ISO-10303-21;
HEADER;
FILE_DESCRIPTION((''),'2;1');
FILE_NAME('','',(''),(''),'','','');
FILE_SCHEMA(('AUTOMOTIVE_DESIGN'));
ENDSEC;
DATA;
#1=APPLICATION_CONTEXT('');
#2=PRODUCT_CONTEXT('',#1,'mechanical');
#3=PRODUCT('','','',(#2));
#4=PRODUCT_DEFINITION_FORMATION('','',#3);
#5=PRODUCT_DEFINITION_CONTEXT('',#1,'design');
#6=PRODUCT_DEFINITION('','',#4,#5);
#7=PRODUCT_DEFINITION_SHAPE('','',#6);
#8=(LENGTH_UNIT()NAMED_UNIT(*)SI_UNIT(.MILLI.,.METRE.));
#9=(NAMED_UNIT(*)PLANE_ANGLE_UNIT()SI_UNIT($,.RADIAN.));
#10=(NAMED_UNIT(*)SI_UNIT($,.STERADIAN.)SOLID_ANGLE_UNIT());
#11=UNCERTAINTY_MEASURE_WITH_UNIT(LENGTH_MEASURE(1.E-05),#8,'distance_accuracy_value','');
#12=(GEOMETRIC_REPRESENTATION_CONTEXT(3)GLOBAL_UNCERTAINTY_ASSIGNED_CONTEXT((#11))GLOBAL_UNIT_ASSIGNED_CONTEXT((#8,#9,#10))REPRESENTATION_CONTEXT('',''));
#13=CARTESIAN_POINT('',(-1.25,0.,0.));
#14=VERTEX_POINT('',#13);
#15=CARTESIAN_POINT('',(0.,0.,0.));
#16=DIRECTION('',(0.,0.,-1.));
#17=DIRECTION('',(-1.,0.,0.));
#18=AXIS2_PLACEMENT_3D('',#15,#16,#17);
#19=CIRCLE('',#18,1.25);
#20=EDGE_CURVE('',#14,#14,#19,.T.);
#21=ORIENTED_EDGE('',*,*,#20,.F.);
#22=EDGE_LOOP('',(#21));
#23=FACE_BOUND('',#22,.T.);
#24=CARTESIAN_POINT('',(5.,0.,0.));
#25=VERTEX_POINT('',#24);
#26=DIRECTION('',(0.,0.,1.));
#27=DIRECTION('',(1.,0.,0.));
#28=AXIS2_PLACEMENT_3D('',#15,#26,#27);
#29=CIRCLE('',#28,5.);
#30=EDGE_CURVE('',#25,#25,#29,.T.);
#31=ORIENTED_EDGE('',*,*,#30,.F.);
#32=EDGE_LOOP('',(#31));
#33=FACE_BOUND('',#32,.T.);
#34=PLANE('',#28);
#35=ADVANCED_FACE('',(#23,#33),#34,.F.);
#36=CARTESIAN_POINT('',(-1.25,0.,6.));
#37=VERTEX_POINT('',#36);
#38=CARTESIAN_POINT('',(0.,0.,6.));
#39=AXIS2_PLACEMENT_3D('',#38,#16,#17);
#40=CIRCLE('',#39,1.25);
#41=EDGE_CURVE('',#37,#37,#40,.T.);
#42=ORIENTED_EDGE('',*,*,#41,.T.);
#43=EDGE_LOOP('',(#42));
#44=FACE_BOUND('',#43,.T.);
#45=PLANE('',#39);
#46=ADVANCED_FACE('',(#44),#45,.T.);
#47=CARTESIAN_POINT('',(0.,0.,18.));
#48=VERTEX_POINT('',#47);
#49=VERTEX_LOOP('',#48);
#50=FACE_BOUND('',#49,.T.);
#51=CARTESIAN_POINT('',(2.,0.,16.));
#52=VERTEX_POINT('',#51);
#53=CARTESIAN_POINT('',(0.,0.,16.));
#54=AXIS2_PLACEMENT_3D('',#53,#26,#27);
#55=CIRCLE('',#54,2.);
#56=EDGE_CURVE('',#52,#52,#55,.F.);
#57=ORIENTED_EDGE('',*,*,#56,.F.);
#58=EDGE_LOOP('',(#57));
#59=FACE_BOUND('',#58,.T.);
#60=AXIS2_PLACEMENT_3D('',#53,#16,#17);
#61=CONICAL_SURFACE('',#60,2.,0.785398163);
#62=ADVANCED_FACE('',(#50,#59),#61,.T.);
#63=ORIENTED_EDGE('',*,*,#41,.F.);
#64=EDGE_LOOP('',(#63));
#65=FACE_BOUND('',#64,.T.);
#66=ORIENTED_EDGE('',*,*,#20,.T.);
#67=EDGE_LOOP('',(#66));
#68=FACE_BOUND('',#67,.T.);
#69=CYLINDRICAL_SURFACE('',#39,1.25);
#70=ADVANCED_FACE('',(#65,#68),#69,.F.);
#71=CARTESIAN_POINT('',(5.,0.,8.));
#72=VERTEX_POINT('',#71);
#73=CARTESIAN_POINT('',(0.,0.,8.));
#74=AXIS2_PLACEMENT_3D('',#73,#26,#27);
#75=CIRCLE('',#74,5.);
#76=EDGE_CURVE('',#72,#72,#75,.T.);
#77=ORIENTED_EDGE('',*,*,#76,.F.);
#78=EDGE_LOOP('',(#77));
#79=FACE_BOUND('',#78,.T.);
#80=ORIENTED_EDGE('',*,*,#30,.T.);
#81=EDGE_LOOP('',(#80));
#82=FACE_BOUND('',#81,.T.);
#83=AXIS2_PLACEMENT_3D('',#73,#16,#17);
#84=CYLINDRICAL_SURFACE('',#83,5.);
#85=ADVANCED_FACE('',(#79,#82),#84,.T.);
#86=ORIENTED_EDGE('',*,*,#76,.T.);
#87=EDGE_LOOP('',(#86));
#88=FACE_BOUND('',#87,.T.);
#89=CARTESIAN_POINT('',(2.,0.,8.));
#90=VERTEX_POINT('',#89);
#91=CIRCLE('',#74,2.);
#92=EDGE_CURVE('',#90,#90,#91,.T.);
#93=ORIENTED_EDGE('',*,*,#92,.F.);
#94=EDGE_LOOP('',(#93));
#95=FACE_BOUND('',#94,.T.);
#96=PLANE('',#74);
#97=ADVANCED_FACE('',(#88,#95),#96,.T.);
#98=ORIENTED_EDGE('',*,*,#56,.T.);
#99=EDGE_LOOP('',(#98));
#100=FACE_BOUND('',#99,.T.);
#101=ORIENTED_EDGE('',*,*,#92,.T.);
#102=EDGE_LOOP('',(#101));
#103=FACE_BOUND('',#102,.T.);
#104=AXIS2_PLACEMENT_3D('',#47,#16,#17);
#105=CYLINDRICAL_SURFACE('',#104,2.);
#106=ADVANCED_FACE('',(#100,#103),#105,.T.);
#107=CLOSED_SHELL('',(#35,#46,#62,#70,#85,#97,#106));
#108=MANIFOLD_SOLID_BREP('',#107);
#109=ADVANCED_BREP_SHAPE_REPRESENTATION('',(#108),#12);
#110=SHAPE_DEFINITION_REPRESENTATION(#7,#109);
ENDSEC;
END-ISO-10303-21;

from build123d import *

# Parameters (mm, degrees)
CROQUIS1_R              = 5
SALIENTE_EXTRUIR1_DEPTH = 8
CROQUIS2_R              = 1.25
CORTAR_EXTRUIR1_DEPTH   = 6
CROQUIS3_R              = 2
SALIENTE_EXTRUIR2_DEPTH = 10
CHAFL_N1_SIZE           = 2


with BuildPart() as part:
    # Croquis1 → Saliente-Extruir1 (new body)
    with BuildSketch(Plane.XY):
        Circle(CROQUIS1_R)
    extrude(amount=SALIENTE_EXTRUIR1_DEPTH)

    # Croquis2 → Cortar-Extruir1 (cut)
    with BuildSketch(Plane(origin=(0, 0, 0), x_dir=(-1, 0, 0), z_dir=(0, 0, -1))):
        Circle(CROQUIS2_R)
    extrude(amount=-CORTAR_EXTRUIR1_DEPTH, mode=Mode.SUBTRACT)

    # Croquis3 → Saliente-Extruir2 (add)
    with BuildSketch(Plane.XY.offset(8)):
        Circle(CROQUIS3_R)
    extrude(amount=SALIENTE_EXTRUIR2_DEPTH)

    # Chaflán1
    chafl_n1_edges = [part.edges().sort_by_distance(p)[0] for p in [
        (-2, 0, 18),
    ]]
    chamfer(chafl_n1_edges, length=CHAFL_N1_SIZE)


solid = part.part
